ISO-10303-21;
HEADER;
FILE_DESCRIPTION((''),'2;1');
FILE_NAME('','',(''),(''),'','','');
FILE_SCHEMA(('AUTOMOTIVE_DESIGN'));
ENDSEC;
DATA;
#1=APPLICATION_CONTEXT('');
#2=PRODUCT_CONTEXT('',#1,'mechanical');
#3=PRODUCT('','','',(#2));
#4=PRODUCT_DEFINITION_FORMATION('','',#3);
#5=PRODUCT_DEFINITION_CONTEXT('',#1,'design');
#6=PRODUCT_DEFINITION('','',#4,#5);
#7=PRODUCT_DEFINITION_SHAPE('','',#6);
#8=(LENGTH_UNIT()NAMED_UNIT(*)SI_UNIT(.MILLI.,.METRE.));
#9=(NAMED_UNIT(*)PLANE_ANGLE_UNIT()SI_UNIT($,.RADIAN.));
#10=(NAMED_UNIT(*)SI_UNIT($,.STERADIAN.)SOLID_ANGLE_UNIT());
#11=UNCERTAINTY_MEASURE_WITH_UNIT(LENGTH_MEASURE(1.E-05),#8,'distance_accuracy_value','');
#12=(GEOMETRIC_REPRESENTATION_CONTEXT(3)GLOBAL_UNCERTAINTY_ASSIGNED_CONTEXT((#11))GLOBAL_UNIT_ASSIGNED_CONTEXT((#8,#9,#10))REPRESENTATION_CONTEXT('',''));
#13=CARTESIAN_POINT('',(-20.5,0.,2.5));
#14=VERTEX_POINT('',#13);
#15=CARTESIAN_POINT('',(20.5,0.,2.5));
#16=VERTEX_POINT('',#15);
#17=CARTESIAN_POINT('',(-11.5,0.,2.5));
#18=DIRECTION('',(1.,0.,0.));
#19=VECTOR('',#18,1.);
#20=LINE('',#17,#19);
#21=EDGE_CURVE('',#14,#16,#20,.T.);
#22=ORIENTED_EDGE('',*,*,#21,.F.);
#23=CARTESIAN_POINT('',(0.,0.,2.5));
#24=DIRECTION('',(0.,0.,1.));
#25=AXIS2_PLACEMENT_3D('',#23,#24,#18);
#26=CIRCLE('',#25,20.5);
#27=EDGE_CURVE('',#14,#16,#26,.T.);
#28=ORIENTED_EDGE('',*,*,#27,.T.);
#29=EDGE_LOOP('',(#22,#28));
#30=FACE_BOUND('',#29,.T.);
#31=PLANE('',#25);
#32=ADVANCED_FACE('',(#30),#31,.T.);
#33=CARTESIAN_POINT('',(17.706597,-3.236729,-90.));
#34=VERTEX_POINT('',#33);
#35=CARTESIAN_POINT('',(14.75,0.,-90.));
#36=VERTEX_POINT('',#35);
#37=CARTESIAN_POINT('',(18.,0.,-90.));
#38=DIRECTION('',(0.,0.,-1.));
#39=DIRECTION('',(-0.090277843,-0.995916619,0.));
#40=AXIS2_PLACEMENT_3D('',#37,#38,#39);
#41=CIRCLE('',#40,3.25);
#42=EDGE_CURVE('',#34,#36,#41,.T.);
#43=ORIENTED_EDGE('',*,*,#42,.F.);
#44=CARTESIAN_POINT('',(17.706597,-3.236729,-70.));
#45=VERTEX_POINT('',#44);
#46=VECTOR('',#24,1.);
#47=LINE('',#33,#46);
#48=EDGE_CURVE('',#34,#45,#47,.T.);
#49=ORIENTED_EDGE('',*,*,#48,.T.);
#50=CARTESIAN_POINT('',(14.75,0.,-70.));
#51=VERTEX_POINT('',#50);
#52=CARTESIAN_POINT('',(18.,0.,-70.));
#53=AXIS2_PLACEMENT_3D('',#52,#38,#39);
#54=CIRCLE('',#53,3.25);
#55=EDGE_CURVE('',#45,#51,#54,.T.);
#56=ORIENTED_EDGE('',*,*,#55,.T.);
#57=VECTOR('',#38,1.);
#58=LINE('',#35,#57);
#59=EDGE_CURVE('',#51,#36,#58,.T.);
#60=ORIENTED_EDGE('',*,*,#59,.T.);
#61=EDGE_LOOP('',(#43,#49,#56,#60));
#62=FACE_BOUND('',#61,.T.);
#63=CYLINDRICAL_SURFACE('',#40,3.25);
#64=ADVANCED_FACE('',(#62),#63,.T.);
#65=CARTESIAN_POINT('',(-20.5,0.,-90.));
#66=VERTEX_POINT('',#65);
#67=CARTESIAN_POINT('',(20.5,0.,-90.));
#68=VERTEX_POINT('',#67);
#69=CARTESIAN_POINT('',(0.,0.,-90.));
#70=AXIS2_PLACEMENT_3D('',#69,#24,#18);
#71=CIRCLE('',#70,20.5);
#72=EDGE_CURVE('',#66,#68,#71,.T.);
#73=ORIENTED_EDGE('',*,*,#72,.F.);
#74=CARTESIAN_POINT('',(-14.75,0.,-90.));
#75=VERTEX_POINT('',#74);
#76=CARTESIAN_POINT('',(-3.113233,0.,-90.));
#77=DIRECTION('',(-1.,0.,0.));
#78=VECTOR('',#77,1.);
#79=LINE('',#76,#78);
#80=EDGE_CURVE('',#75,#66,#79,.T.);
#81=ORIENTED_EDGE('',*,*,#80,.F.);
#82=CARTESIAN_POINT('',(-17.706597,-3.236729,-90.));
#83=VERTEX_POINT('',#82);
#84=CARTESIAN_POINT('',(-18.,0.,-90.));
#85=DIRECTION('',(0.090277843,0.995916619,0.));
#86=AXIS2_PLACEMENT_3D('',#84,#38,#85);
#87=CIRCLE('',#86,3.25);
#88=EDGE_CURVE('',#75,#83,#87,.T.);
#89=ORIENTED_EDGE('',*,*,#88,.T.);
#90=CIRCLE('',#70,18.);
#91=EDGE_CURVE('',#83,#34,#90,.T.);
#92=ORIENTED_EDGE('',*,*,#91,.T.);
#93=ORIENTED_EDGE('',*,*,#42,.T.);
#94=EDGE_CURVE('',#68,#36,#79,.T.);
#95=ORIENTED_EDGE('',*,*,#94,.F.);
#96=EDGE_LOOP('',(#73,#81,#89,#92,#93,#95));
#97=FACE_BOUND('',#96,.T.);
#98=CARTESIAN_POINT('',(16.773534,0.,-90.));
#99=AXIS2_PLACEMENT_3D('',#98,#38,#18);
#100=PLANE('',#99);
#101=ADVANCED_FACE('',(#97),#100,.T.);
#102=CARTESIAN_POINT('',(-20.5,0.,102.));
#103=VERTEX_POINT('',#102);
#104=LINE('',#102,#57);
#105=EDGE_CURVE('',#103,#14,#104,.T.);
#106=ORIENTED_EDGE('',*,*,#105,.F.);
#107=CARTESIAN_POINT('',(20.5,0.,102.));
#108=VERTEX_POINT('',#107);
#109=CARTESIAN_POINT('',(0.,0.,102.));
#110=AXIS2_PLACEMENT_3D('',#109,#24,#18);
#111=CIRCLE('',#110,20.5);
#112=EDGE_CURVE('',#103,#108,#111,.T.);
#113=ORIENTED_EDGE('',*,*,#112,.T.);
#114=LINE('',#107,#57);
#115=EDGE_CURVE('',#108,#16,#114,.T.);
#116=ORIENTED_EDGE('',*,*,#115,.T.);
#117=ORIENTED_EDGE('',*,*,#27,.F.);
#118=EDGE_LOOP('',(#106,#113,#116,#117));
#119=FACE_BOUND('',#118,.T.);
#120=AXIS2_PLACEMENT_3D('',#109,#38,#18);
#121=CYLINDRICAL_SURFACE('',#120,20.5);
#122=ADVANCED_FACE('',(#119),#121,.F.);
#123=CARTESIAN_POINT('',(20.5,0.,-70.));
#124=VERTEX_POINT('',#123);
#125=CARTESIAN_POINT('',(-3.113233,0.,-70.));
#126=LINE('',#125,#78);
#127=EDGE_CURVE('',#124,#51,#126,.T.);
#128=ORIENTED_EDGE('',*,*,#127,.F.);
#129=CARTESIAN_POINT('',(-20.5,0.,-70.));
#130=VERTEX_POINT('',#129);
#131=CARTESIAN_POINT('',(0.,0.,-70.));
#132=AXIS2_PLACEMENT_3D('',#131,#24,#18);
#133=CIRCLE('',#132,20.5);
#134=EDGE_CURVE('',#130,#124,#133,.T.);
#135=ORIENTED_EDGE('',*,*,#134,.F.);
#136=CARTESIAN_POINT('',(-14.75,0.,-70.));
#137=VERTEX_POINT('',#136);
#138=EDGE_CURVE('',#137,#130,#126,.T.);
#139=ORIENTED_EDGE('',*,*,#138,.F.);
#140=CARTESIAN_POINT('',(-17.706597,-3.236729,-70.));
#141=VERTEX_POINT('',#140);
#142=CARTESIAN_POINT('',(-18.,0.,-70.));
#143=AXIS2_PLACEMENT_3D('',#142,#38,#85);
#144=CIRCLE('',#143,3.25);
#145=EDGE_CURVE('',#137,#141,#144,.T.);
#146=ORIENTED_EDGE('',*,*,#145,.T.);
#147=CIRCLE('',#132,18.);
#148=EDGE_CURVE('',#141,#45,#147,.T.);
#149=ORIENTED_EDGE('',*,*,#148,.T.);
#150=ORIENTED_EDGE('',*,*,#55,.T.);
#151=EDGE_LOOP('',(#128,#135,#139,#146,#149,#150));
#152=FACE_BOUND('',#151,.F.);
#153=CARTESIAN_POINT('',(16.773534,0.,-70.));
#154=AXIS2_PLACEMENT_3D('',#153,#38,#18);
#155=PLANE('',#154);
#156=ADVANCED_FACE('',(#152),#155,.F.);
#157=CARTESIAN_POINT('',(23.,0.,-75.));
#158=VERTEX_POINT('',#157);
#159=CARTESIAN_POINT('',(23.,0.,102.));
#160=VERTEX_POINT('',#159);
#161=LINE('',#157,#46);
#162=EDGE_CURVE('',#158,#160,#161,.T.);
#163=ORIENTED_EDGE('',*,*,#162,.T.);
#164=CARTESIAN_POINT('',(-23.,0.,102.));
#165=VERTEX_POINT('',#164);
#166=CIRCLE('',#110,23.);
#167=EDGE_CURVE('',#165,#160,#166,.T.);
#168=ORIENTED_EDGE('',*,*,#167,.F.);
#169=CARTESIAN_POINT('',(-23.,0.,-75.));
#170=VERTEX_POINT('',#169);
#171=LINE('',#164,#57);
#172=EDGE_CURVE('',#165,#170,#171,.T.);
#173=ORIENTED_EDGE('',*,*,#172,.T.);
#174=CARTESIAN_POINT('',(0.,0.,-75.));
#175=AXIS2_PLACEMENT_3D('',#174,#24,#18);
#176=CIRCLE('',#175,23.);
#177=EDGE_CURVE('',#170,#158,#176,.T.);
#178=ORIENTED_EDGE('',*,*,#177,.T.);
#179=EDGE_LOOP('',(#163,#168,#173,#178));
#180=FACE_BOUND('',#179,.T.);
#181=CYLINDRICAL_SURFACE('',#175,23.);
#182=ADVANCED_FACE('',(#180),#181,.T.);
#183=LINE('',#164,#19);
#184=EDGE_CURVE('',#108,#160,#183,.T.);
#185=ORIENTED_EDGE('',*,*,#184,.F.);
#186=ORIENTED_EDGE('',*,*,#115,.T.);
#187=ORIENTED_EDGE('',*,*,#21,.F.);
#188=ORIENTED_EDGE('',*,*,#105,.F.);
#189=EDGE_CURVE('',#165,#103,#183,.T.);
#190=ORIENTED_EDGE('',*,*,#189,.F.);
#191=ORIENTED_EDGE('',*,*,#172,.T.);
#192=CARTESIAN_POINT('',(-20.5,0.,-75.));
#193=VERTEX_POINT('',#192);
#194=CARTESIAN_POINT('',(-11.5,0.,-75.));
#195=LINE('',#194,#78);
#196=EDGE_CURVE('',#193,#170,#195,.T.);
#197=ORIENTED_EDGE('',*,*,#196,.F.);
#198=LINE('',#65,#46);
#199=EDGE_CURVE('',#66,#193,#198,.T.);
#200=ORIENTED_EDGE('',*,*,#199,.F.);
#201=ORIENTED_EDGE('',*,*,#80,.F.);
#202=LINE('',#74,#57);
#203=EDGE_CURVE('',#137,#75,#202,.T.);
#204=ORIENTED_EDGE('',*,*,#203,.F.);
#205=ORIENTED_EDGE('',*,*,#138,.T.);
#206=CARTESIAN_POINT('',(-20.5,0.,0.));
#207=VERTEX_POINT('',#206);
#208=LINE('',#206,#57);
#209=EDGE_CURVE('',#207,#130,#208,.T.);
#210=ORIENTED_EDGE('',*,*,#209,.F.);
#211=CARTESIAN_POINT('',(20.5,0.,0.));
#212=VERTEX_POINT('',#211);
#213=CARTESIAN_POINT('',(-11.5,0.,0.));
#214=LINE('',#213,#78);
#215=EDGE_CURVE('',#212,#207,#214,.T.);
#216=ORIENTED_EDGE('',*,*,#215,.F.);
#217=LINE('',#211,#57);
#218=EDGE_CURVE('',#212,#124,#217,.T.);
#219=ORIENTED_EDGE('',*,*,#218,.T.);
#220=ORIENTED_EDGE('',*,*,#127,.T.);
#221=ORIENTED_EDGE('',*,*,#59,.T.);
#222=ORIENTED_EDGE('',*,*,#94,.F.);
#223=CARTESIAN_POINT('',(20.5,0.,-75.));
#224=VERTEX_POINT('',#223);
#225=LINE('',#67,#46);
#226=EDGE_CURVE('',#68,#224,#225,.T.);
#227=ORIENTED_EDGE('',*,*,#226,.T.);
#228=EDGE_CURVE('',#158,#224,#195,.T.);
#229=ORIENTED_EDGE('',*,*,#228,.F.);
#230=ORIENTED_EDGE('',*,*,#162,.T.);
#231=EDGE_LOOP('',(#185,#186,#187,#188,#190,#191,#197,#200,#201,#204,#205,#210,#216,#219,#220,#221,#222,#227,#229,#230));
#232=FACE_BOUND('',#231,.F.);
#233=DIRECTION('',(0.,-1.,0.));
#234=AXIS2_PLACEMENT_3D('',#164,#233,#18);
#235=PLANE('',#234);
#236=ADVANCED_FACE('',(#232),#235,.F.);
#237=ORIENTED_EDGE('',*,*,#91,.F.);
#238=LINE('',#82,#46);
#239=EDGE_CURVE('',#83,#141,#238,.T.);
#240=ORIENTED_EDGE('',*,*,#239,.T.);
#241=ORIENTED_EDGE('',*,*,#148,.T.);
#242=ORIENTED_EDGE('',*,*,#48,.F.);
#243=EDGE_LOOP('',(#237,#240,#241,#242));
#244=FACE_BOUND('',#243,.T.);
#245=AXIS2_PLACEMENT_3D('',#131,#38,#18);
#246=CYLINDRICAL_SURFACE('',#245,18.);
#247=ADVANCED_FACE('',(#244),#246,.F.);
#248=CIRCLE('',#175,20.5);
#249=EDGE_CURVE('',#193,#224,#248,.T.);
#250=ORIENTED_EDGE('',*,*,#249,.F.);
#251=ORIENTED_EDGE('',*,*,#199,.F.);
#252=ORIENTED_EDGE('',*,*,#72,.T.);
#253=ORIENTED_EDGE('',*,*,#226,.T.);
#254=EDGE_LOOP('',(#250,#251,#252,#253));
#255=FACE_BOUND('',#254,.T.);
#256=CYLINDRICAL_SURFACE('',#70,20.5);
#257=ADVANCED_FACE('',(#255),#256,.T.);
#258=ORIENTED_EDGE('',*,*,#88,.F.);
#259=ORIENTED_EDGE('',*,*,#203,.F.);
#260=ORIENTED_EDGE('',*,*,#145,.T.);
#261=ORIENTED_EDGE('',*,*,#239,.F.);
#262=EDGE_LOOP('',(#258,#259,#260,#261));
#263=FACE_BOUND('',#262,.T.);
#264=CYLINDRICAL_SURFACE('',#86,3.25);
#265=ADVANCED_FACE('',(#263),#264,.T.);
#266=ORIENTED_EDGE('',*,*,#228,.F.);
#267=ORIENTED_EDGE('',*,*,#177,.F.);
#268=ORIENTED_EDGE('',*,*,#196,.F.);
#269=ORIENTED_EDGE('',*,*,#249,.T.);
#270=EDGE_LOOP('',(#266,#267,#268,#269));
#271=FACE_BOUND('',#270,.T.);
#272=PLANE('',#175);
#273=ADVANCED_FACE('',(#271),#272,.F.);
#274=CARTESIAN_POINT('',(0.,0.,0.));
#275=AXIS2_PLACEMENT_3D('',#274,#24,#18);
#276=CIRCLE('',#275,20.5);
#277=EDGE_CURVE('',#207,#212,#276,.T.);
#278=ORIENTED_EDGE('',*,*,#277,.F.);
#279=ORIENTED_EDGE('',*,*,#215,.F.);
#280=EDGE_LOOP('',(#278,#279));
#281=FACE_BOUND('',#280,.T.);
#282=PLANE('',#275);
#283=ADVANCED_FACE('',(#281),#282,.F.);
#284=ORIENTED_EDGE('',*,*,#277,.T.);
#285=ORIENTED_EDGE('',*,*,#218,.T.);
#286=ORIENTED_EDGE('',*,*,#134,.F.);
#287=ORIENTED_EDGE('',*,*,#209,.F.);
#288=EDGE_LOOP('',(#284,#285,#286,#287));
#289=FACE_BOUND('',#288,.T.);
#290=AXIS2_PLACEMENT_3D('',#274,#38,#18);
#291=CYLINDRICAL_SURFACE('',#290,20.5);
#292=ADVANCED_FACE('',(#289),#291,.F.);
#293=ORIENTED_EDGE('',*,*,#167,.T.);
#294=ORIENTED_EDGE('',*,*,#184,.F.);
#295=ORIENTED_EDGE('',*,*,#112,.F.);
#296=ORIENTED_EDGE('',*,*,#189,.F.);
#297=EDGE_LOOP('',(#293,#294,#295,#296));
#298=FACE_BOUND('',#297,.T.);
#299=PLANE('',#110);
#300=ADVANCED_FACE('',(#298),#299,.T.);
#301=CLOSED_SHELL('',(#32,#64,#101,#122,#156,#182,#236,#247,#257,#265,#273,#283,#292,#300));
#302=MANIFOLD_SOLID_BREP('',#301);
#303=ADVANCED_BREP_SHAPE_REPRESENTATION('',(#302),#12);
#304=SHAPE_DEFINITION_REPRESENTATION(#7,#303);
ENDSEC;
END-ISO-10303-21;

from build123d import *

# Parameters (mm, degrees)
F3_DEPTH = 2.5
F5_DEPTH = 20
F7_DEPTH = 192.001


with BuildPart() as f1:
    # F0 (on Front) → F1 (revolve)
    with BuildSketch(Plane.XZ):
        Polygon((20.5, 2.5), (0, 2.5), (0, 0), (20.5, 0), (20.5, -70), (18, -70), (18, -90), (20.5, -90), (20.5, -75), (23, -75), (23, 0), (23, 102), (20.5, 102), align=None)
    revolve(axis=Axis((0, 0, 1.25), (0, 0, 1)))

    # F2 (on face) → F3 (cut, through all)
    with BuildSketch(Plane.XY.offset(2.5)):
        with BuildLine():
            Line((0, 12.5), (16.248077, 12.5))
            ThreePointArc((16.248077, 12.5), (9.055385, 18.391574), (0, 20.5))
            Line((0, 20.5), (0, 12.5))
        make_face()
    extrude(amount=-F3_DEPTH, mode=Mode.SUBTRACT)

    # F4 (on face) → F5 (join, through all)
    with BuildSketch(Plane(origin=(0, 0, -90), x_dir=(1, 0, 0), z_dir=(0, 0, -1))):
        with BuildLine():
            ThreePointArc((-17.706597, 3.236729), (-18, 0), (-17.706597, -3.236729))
            ThreePointArc((-17.706597, -3.236729), (-14.75, 0), (-17.706597, 3.236729))
        make_face()
        with BuildLine():
            ThreePointArc((17.706597, -3.236729), (18, 0), (17.706597, 3.236729))
            ThreePointArc((17.706597, 3.236729), (14.75, 0), (17.706597, -3.236729))
        make_face()
    extrude(amount=-F5_DEPTH)

    # F6 (on face) → F7 (cut, through all)
    with BuildSketch(Plane.XY.offset(102)):
        with BuildLine():
            Line((-23, 0), (23, 0))
            ThreePointArc((23, 0), (0, 23), (-23, 0))
        make_face()
    extrude(amount=-F7_DEPTH, mode=Mode.SUBTRACT)


solid = f1.part
